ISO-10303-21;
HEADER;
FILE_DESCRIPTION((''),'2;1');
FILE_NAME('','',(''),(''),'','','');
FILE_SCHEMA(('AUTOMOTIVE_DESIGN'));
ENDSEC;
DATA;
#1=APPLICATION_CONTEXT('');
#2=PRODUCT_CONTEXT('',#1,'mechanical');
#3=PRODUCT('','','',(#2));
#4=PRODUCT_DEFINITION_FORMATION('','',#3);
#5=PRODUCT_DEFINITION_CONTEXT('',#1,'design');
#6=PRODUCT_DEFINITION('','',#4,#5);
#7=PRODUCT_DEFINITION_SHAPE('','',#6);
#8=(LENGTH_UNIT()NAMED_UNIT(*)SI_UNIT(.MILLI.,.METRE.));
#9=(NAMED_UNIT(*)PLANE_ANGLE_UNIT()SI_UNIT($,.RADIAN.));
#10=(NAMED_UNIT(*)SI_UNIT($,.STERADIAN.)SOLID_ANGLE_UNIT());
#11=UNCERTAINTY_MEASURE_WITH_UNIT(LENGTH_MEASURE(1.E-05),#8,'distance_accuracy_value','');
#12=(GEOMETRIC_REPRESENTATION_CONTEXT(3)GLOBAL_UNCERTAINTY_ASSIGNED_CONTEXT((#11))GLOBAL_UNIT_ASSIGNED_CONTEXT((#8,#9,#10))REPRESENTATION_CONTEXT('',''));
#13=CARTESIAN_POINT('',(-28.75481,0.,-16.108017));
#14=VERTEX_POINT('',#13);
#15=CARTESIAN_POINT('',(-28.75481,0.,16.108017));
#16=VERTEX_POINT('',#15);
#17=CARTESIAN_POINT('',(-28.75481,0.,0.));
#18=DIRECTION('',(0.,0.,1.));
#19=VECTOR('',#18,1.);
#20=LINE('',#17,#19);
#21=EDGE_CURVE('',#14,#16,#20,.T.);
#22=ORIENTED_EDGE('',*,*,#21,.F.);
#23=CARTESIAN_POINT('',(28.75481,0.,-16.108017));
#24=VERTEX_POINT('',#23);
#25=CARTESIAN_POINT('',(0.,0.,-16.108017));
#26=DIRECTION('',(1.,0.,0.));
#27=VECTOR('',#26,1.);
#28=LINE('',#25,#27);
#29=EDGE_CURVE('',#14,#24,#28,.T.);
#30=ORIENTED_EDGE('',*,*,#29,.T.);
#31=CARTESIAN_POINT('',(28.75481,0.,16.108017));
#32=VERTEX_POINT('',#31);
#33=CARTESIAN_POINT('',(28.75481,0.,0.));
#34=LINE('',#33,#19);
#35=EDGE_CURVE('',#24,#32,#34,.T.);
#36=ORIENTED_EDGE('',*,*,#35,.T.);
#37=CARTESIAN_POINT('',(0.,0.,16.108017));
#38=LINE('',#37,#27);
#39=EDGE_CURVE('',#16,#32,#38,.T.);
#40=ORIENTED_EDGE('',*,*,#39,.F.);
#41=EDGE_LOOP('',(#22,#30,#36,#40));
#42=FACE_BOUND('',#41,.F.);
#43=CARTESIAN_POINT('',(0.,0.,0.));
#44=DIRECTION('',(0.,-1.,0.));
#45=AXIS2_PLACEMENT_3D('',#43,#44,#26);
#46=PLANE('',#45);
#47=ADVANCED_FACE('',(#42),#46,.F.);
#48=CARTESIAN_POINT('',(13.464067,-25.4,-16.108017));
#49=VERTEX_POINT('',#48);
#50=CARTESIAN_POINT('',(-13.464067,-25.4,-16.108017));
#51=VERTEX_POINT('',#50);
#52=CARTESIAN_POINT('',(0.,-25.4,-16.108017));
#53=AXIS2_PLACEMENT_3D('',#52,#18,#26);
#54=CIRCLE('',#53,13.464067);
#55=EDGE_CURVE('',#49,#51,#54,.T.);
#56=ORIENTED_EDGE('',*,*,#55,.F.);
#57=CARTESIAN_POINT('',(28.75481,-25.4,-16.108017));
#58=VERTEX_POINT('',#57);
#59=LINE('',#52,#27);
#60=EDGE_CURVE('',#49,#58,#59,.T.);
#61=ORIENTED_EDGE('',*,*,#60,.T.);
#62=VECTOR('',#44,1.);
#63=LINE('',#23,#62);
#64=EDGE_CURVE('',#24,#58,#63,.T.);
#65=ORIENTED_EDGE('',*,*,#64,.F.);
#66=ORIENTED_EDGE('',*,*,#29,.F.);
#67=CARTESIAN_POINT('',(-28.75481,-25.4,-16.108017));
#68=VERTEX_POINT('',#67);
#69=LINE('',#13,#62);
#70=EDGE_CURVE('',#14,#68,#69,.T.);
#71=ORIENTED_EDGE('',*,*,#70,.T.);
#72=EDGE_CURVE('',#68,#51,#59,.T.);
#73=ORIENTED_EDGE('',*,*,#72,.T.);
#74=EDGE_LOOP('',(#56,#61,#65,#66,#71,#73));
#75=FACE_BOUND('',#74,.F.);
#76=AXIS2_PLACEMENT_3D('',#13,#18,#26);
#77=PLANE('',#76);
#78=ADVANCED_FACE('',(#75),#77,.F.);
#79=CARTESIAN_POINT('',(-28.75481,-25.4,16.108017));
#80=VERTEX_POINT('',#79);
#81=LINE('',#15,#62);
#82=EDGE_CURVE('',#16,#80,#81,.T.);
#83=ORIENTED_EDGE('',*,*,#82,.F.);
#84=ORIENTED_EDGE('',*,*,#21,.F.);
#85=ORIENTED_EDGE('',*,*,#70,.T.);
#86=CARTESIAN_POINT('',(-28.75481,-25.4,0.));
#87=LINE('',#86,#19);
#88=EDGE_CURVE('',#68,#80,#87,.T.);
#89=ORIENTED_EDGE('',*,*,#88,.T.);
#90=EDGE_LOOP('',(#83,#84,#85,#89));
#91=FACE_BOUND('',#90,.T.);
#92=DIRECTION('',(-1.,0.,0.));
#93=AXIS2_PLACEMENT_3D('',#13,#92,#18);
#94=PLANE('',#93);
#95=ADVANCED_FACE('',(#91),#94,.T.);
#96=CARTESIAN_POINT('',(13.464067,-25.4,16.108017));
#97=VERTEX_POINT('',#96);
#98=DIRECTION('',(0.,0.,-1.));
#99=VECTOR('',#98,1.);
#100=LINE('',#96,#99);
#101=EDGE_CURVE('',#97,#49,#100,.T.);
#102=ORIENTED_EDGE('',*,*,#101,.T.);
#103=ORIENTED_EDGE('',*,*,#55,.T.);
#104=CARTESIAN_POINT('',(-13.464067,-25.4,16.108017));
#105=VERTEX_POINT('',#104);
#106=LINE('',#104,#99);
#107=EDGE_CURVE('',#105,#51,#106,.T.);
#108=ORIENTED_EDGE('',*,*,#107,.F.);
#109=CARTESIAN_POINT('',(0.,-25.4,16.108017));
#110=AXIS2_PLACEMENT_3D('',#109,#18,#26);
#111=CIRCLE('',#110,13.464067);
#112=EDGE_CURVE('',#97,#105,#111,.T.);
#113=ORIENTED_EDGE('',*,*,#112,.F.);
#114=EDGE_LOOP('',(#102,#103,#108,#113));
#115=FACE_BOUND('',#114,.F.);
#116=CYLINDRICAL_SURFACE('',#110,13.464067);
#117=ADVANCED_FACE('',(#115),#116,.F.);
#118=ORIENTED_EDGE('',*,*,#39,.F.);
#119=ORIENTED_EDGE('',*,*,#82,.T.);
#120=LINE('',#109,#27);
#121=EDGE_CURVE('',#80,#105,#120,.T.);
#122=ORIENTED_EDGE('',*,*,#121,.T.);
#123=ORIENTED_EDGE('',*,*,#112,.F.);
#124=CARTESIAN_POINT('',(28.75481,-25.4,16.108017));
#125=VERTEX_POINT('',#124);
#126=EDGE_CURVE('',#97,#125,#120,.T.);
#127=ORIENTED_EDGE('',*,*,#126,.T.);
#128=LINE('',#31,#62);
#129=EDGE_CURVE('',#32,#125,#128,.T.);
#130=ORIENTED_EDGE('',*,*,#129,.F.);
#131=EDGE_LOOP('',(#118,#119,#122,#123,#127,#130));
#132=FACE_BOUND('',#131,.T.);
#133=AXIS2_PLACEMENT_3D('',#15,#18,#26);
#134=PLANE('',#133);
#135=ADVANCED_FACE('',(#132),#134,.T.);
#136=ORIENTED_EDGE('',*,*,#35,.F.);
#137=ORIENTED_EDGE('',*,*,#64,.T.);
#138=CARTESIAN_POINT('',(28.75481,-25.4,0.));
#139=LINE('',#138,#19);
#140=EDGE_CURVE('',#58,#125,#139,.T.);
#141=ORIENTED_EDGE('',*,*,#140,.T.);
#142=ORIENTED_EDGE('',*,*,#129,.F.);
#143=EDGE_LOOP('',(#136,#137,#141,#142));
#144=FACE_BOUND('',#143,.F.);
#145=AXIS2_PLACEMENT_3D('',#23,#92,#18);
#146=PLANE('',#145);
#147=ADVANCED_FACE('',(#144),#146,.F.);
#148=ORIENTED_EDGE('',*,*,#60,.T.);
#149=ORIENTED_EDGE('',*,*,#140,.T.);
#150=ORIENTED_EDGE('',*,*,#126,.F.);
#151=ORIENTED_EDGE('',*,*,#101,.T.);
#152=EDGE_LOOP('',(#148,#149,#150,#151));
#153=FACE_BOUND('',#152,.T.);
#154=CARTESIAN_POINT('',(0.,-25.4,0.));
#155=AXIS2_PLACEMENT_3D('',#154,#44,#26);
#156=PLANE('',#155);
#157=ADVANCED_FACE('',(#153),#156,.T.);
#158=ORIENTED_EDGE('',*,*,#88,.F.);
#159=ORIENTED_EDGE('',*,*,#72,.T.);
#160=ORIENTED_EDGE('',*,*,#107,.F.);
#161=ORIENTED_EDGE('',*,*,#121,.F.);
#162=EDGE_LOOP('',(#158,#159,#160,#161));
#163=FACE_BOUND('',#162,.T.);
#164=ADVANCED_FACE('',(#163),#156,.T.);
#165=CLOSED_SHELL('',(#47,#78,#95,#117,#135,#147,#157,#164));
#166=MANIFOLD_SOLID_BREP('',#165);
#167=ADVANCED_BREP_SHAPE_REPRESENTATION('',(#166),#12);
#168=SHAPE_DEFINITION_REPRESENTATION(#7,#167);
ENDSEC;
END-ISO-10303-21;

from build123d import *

# Parameters (mm, degrees)
F0_W     = 57.50962
F0_H     = 32.216034
F1_DEPTH = 25.4
F3_DEPTH = 32.217035


with BuildPart() as f1:
    # F0 (on Front) → F1 (new body)
    with BuildSketch(Plane.XZ):
        Rectangle(F0_W, F0_H)
    extrude(amount=F1_DEPTH)

    # F2 (on face) → F3 (cut, through all)
    with BuildSketch(Plane.XY.offset(16.108017)):
        with BuildLine():
            Line((-13.464067, -25.4), (13.464067, -25.4))
            ThreePointArc((13.464067, -25.4), (0, -11.935933), (-13.464067, -25.4))
        make_face()
    extrude(amount=-F3_DEPTH, mode=Mode.SUBTRACT)


solid = f1.part
